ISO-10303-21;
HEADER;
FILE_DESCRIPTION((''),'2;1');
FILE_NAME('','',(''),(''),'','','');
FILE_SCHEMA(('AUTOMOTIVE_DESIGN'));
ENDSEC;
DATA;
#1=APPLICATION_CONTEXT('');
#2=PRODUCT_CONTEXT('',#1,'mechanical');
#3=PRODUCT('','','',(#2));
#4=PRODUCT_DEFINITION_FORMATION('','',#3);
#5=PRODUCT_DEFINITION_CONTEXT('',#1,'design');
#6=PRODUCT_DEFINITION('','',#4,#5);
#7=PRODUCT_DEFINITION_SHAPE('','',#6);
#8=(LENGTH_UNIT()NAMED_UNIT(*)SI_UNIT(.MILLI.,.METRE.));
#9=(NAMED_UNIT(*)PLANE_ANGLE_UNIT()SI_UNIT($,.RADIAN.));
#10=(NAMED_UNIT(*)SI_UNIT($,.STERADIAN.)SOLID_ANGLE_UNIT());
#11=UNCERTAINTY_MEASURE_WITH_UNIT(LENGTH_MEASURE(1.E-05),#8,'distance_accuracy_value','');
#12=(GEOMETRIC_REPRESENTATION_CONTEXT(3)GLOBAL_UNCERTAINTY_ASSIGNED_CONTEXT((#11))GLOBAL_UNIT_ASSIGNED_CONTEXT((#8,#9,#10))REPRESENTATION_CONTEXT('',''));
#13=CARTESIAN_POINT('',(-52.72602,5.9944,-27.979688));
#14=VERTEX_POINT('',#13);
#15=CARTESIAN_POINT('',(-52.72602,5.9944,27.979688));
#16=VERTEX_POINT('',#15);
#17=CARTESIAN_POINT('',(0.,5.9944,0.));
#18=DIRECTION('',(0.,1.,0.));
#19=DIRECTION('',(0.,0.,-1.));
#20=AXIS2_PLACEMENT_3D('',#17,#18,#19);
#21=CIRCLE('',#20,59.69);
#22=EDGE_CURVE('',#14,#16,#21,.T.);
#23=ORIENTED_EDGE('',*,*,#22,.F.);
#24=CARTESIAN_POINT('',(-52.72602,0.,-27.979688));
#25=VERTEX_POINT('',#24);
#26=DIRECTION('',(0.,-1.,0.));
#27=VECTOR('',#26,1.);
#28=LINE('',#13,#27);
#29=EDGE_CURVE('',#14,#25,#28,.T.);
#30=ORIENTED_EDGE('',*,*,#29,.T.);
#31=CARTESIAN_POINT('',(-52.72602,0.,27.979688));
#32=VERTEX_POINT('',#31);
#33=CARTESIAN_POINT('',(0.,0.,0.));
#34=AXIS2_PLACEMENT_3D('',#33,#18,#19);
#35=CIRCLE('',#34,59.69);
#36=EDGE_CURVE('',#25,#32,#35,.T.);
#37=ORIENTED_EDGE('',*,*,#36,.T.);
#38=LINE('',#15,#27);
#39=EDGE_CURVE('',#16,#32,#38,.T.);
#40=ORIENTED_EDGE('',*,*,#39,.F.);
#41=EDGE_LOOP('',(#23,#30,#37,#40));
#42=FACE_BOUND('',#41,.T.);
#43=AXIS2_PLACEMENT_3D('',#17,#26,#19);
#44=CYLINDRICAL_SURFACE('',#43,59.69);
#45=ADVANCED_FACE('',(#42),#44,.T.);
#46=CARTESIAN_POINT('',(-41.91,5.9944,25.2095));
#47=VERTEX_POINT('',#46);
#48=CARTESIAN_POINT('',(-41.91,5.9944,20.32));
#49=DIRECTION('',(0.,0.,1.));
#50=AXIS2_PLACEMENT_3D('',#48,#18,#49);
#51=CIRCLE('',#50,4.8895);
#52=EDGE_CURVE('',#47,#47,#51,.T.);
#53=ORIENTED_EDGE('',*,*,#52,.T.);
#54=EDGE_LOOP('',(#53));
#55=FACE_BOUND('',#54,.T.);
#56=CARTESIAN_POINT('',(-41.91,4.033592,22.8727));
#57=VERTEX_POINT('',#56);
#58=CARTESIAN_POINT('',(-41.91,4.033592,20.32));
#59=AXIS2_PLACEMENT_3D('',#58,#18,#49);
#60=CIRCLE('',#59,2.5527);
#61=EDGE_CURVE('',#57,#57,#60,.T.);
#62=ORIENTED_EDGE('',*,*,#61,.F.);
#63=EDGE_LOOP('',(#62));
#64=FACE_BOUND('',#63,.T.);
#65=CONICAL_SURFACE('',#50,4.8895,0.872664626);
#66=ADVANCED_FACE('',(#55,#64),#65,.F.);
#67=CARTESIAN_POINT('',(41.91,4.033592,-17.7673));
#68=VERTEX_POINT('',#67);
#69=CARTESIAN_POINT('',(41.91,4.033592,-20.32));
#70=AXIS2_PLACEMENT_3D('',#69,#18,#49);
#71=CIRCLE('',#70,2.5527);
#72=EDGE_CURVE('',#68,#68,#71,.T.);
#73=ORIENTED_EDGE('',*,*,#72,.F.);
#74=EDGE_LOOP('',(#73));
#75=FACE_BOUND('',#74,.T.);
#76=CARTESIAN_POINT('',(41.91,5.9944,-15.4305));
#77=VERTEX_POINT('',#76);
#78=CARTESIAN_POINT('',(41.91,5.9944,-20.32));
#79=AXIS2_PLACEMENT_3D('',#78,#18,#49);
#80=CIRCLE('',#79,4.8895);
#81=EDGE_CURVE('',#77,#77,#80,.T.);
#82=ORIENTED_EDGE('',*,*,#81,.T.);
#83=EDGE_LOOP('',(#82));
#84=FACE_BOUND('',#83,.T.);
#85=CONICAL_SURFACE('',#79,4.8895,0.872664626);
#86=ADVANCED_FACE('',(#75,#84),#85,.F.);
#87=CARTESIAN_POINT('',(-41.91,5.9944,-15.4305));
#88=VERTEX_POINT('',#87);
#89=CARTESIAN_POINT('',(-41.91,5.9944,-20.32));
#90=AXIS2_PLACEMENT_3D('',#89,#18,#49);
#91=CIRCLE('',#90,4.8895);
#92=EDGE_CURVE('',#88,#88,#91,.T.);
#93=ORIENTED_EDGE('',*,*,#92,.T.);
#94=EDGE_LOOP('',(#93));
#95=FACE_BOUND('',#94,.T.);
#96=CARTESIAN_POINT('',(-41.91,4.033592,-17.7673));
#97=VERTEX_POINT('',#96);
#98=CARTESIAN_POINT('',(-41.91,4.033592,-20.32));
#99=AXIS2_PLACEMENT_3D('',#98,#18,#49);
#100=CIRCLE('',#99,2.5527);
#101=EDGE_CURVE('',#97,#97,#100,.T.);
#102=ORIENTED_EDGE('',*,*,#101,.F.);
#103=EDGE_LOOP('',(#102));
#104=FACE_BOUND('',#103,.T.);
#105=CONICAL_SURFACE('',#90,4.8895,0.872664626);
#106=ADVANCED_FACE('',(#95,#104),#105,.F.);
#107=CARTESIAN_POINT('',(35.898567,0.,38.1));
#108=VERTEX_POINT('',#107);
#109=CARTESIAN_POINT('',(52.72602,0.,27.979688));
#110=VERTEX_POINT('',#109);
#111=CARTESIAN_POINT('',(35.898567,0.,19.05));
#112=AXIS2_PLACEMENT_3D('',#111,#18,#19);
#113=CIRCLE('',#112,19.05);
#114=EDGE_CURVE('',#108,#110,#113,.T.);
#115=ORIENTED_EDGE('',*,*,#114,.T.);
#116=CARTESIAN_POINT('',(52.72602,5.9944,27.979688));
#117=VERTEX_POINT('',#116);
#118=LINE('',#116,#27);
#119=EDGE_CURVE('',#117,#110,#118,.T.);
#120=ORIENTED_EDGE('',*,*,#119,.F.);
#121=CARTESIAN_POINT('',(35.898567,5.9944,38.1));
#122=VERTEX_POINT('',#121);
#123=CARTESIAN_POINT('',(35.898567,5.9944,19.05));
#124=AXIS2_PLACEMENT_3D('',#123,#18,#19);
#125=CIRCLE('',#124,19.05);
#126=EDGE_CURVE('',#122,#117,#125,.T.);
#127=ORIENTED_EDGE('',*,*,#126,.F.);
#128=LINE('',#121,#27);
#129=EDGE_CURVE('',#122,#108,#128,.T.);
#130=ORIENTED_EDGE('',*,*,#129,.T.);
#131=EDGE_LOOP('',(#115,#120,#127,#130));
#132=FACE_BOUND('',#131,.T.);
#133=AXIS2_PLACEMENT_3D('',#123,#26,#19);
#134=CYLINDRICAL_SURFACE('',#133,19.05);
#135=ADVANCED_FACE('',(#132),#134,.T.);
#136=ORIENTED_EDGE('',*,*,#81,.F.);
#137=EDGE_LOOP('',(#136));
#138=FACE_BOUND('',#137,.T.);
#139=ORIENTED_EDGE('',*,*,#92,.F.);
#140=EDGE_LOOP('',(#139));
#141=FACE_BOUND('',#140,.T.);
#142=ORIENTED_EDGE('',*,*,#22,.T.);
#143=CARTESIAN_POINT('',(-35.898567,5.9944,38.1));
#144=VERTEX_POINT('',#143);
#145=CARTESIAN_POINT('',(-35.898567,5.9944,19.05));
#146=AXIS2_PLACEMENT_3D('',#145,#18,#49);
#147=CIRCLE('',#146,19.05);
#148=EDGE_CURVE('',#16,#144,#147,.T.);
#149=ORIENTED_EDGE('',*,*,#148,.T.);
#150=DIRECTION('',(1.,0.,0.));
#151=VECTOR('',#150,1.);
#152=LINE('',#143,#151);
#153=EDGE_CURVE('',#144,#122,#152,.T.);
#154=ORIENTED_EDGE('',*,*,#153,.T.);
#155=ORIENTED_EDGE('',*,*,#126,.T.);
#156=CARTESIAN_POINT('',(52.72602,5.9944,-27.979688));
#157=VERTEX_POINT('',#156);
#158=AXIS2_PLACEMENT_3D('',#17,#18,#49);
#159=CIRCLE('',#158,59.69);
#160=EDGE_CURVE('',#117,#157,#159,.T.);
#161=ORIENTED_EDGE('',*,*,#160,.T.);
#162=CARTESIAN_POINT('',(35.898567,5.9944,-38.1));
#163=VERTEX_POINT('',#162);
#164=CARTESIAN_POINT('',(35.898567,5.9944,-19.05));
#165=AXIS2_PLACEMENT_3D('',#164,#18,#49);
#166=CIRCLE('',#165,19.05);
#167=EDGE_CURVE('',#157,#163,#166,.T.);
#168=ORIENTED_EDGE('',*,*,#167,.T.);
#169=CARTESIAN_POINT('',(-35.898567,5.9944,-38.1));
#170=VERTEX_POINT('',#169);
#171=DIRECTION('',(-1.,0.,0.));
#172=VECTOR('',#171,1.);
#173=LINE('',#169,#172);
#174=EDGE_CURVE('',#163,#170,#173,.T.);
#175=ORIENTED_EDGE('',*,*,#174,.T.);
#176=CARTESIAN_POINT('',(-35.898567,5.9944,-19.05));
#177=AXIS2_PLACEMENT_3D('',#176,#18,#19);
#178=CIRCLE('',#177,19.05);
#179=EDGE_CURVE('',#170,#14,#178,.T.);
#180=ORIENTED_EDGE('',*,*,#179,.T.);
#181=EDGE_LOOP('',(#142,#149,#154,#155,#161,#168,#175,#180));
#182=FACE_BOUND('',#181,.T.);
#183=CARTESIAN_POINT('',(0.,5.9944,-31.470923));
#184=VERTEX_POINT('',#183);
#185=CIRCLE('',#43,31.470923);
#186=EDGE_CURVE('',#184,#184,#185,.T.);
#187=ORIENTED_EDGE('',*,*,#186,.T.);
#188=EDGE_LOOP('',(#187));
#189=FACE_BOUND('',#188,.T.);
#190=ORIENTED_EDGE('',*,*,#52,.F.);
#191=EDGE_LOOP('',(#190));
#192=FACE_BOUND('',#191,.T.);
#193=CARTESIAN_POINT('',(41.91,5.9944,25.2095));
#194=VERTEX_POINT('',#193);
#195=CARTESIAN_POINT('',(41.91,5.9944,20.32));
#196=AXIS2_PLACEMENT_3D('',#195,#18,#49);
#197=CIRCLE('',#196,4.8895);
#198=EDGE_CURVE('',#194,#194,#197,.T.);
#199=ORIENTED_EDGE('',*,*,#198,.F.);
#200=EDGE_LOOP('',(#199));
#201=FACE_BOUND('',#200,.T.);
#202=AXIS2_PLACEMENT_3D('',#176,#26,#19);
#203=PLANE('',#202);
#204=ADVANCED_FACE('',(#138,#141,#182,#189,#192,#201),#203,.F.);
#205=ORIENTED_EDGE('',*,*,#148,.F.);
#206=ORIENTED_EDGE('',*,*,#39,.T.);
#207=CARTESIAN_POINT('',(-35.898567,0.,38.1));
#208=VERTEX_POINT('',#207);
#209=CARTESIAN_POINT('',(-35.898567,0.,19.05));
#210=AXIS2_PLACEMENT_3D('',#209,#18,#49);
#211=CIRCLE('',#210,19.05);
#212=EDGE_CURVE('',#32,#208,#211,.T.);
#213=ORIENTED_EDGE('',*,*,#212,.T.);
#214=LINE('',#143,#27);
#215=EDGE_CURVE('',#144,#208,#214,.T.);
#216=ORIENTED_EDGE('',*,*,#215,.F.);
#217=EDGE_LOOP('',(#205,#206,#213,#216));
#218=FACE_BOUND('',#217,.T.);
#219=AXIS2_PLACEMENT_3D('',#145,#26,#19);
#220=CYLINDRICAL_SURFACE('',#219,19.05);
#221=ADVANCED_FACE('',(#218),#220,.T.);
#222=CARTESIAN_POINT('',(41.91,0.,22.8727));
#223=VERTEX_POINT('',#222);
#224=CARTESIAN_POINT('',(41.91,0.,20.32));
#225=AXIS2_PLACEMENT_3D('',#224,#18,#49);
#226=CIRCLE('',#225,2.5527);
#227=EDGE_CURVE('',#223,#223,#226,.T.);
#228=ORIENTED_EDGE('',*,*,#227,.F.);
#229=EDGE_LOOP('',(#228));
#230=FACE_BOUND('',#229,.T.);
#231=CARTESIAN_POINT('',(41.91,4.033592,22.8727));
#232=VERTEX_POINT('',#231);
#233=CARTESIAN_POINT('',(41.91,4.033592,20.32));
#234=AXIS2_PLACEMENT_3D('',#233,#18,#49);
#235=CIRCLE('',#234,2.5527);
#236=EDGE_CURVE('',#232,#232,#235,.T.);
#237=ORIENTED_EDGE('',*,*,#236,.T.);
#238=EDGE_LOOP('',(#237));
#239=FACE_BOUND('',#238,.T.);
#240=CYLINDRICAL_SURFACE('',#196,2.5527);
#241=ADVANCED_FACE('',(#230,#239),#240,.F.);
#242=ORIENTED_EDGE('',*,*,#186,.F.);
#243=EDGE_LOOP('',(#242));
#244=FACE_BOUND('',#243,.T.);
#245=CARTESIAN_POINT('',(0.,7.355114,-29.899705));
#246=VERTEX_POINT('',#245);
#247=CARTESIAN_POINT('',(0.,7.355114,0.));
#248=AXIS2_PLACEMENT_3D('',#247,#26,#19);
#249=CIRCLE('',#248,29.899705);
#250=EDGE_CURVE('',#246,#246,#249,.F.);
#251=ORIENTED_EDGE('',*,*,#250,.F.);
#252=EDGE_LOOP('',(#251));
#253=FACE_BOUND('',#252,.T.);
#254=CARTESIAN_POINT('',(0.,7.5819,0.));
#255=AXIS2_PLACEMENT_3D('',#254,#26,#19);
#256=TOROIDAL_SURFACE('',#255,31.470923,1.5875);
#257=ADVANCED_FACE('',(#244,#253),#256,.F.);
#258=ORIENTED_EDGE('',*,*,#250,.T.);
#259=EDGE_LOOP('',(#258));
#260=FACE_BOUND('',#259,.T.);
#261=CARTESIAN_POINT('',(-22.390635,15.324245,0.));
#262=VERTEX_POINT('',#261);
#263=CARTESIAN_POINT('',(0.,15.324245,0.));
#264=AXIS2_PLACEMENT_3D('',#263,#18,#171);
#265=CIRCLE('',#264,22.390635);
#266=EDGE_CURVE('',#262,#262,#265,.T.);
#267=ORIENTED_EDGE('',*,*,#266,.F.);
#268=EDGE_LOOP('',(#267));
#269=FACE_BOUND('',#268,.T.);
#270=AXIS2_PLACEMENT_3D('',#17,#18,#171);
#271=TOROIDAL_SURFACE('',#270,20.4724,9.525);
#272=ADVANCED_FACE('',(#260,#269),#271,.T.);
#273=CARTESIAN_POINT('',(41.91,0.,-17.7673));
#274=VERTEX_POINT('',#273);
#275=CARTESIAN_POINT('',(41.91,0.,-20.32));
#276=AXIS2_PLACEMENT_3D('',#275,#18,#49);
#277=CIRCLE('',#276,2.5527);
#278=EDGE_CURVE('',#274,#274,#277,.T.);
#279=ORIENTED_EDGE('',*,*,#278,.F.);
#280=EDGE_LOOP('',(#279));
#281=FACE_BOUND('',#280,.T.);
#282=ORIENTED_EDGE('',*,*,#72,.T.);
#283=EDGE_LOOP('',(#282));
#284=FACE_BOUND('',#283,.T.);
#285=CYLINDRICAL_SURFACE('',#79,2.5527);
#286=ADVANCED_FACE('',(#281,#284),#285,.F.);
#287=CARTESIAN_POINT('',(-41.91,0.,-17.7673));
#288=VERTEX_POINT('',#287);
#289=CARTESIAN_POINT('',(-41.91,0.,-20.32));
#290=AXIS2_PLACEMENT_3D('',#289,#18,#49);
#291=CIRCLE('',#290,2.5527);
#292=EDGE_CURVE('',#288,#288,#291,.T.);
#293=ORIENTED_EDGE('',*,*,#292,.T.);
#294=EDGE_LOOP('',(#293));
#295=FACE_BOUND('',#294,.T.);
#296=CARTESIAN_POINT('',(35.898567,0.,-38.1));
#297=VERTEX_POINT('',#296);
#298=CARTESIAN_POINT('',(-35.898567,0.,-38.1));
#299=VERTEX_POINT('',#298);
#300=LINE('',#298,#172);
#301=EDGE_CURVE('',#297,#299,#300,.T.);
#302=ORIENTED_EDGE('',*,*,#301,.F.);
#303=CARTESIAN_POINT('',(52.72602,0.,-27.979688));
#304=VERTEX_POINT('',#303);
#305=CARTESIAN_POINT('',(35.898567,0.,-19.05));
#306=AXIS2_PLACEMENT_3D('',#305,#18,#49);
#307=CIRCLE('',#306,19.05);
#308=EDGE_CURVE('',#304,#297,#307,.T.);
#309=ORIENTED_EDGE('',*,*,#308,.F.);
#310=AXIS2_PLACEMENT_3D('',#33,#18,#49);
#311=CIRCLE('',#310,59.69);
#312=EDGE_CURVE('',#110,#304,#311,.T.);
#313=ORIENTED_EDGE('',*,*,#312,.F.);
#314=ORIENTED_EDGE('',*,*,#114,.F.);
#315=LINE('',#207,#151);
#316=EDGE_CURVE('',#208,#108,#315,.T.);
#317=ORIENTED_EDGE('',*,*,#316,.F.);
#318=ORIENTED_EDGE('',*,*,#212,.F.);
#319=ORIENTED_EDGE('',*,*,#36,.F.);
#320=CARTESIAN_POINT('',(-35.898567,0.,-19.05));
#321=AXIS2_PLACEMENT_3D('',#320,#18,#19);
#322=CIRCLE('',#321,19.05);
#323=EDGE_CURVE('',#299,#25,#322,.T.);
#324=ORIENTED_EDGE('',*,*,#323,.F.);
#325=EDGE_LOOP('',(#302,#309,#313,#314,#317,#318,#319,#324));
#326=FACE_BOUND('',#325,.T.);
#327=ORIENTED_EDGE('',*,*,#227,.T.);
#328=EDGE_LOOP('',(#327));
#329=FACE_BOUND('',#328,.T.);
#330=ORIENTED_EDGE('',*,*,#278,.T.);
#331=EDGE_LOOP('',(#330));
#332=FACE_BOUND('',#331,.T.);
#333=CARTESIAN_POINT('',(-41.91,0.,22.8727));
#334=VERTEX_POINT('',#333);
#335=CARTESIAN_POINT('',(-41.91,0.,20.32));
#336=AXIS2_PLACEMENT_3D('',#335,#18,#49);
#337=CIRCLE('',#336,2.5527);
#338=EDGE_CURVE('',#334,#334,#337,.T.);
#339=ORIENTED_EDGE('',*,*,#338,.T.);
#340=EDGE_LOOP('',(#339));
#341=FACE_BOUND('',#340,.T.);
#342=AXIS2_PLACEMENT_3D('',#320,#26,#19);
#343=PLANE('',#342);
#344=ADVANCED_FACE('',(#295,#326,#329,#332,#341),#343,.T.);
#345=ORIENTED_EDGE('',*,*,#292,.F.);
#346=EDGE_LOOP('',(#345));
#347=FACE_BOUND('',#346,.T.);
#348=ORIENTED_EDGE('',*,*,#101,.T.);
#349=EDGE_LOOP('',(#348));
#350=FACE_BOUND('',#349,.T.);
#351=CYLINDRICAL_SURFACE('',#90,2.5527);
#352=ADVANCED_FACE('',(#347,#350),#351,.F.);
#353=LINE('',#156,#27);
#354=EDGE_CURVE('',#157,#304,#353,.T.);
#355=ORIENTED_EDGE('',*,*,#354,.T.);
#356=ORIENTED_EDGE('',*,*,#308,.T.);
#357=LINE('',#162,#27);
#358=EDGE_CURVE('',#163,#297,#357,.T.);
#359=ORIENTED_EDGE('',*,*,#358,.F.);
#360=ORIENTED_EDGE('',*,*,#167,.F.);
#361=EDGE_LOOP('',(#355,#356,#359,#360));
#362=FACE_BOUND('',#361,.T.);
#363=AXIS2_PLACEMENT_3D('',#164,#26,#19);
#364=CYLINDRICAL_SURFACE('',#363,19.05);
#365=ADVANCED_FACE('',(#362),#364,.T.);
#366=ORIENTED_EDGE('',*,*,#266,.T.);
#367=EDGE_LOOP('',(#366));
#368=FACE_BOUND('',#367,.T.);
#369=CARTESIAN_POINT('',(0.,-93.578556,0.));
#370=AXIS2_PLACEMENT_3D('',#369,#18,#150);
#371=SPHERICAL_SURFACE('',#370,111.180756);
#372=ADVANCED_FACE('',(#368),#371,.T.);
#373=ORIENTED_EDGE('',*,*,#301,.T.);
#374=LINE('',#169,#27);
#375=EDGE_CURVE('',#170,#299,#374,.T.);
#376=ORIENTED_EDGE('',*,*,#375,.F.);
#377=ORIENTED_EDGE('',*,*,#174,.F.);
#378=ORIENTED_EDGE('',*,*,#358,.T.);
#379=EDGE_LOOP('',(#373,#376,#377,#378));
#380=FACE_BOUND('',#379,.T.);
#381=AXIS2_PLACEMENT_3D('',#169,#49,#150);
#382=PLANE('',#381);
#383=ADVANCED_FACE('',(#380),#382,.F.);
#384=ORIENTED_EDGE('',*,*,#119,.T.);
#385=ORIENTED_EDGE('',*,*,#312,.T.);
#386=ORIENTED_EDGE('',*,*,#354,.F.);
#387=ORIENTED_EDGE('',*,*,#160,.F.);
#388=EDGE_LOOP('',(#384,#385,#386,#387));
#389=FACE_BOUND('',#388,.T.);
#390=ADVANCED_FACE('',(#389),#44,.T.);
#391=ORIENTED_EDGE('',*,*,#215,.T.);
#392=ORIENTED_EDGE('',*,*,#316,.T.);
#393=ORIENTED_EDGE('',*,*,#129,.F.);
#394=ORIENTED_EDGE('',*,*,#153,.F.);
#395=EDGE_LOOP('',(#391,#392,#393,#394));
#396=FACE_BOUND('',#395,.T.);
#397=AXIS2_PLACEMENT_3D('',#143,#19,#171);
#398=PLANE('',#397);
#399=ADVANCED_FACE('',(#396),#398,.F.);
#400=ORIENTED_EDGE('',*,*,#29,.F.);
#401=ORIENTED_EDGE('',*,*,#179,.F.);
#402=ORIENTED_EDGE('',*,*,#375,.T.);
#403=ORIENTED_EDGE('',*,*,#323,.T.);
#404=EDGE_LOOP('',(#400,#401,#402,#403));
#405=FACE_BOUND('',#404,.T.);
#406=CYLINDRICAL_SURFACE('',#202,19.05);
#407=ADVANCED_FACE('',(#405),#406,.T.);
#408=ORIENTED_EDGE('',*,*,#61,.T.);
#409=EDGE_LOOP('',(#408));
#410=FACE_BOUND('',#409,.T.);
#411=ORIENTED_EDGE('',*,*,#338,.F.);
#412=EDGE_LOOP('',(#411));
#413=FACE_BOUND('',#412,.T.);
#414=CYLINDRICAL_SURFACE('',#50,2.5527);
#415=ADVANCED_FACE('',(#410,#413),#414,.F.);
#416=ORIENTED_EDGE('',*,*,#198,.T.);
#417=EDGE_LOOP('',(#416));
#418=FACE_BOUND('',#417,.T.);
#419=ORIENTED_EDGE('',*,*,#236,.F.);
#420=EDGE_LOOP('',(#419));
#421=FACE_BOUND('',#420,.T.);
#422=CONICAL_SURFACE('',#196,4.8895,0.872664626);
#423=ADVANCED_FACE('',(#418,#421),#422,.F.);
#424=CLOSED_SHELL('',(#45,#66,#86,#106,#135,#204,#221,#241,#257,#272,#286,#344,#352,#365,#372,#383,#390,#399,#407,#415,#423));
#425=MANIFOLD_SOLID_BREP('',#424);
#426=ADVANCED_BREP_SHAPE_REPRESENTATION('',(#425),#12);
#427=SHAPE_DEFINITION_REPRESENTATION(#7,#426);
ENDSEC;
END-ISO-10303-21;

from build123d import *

# Parameters (mm, degrees)
BOSS_EXTRUDE1_DEPTH                                = 5.9944
FILLET1_R                                          = 1.5875
CSK_FOR_10_FLAT_HEAD_MACHINE_SCREW_100_D           = 5.1054
CSK_FOR_10_FLAT_HEAD_MACHINE_SCREW_100_CSINK_D     = 9.779
CSK_FOR_10_FLAT_HEAD_MACHINE_SCREW_100_CSINK_ANGLE = 100


with BuildPart() as part:
    # Sketch1 → Boss-Extrude1 (new body)
    with BuildSketch(Plane(origin=(0, 0, 0), x_dir=(1, 0, 0), z_dir=(0, 1, 0))):
        with BuildLine():
            Line((-35.898566824, -38.1), (35.898566824, -38.1))
            ThreePointArc((35.898566824, -38.1), (45.716712095, -35.375027517), (52.726020022, -27.9796875))
            ThreePointArc((52.726020022, -27.9796875), (59.69, 0), (52.726020022, 27.9796875))
            ThreePointArc((52.726020022, 27.9796875), (45.716712095, 35.375027517), (35.898566824, 38.1))
            Line((35.898566824, 38.1), (-35.898566824, 38.1))
            ThreePointArc((-35.898566824, 38.1), (-45.716712095, 35.375027517), (-52.726020022, 27.9796875))
            ThreePointArc((-52.726020022, 27.9796875), (-59.69, 0), (-52.726020022, -27.9796875))
            ThreePointArc((-52.726020022, -27.9796875), (-45.716712095, -35.375027517), (-35.898566824, -38.1))
        make_face()
    extrude(amount=BOSS_EXTRUDE1_DEPTH)

    # Sketch3 → Revolve1 (revolve)
    with BuildSketch(Plane.XY, mode=Mode.PRIVATE) as revolve1_sk:
        with BuildLine():
            Line((-29.9974, 5.9944), (0, 5.9944))
            Line((0, 5.9944), (0, 17.6022))
            ThreePointArc((0, 17.6022), (-11.253106327, 17.031245116), (-22.39063481, 15.324244597))
            ThreePointArc((-22.39063481, 15.324244597), (-27.854703555, 12.013305151), (-29.9974, 5.9944))
        make_face()
    revolve(revolve1_sk.sketch.rotate(Axis((0, 17.6022, 0), (0, -1, 0)), 180), axis=Axis((0, 17.6022, 0), (0, -1, 0)))

    # Fillet1
    fillet1_edges = [part.edges().sort_by_distance(p)[0] for p in [
        (-29.9974, 5.9944, 0),
    ]]
    fillet(fillet1_edges, radius=FILLET1_R)

    # CSK for #10 Flat Head Machine Screw (100)1 (through all)
    with Locations(Plane(origin=(0, 5.9944, 0), x_dir=(-1, 0, 0), z_dir=(0, 1, 0))):
        with Locations((41.91, -20.32), (41.91, 20.32), (-41.91, -20.32), (-41.91, 20.32)):
            CounterSinkHole(CSK_FOR_10_FLAT_HEAD_MACHINE_SCREW_100_D / 2, CSK_FOR_10_FLAT_HEAD_MACHINE_SCREW_100_CSINK_D / 2, counter_sink_angle=CSK_FOR_10_FLAT_HEAD_MACHINE_SCREW_100_CSINK_ANGLE)


solid = part.part
